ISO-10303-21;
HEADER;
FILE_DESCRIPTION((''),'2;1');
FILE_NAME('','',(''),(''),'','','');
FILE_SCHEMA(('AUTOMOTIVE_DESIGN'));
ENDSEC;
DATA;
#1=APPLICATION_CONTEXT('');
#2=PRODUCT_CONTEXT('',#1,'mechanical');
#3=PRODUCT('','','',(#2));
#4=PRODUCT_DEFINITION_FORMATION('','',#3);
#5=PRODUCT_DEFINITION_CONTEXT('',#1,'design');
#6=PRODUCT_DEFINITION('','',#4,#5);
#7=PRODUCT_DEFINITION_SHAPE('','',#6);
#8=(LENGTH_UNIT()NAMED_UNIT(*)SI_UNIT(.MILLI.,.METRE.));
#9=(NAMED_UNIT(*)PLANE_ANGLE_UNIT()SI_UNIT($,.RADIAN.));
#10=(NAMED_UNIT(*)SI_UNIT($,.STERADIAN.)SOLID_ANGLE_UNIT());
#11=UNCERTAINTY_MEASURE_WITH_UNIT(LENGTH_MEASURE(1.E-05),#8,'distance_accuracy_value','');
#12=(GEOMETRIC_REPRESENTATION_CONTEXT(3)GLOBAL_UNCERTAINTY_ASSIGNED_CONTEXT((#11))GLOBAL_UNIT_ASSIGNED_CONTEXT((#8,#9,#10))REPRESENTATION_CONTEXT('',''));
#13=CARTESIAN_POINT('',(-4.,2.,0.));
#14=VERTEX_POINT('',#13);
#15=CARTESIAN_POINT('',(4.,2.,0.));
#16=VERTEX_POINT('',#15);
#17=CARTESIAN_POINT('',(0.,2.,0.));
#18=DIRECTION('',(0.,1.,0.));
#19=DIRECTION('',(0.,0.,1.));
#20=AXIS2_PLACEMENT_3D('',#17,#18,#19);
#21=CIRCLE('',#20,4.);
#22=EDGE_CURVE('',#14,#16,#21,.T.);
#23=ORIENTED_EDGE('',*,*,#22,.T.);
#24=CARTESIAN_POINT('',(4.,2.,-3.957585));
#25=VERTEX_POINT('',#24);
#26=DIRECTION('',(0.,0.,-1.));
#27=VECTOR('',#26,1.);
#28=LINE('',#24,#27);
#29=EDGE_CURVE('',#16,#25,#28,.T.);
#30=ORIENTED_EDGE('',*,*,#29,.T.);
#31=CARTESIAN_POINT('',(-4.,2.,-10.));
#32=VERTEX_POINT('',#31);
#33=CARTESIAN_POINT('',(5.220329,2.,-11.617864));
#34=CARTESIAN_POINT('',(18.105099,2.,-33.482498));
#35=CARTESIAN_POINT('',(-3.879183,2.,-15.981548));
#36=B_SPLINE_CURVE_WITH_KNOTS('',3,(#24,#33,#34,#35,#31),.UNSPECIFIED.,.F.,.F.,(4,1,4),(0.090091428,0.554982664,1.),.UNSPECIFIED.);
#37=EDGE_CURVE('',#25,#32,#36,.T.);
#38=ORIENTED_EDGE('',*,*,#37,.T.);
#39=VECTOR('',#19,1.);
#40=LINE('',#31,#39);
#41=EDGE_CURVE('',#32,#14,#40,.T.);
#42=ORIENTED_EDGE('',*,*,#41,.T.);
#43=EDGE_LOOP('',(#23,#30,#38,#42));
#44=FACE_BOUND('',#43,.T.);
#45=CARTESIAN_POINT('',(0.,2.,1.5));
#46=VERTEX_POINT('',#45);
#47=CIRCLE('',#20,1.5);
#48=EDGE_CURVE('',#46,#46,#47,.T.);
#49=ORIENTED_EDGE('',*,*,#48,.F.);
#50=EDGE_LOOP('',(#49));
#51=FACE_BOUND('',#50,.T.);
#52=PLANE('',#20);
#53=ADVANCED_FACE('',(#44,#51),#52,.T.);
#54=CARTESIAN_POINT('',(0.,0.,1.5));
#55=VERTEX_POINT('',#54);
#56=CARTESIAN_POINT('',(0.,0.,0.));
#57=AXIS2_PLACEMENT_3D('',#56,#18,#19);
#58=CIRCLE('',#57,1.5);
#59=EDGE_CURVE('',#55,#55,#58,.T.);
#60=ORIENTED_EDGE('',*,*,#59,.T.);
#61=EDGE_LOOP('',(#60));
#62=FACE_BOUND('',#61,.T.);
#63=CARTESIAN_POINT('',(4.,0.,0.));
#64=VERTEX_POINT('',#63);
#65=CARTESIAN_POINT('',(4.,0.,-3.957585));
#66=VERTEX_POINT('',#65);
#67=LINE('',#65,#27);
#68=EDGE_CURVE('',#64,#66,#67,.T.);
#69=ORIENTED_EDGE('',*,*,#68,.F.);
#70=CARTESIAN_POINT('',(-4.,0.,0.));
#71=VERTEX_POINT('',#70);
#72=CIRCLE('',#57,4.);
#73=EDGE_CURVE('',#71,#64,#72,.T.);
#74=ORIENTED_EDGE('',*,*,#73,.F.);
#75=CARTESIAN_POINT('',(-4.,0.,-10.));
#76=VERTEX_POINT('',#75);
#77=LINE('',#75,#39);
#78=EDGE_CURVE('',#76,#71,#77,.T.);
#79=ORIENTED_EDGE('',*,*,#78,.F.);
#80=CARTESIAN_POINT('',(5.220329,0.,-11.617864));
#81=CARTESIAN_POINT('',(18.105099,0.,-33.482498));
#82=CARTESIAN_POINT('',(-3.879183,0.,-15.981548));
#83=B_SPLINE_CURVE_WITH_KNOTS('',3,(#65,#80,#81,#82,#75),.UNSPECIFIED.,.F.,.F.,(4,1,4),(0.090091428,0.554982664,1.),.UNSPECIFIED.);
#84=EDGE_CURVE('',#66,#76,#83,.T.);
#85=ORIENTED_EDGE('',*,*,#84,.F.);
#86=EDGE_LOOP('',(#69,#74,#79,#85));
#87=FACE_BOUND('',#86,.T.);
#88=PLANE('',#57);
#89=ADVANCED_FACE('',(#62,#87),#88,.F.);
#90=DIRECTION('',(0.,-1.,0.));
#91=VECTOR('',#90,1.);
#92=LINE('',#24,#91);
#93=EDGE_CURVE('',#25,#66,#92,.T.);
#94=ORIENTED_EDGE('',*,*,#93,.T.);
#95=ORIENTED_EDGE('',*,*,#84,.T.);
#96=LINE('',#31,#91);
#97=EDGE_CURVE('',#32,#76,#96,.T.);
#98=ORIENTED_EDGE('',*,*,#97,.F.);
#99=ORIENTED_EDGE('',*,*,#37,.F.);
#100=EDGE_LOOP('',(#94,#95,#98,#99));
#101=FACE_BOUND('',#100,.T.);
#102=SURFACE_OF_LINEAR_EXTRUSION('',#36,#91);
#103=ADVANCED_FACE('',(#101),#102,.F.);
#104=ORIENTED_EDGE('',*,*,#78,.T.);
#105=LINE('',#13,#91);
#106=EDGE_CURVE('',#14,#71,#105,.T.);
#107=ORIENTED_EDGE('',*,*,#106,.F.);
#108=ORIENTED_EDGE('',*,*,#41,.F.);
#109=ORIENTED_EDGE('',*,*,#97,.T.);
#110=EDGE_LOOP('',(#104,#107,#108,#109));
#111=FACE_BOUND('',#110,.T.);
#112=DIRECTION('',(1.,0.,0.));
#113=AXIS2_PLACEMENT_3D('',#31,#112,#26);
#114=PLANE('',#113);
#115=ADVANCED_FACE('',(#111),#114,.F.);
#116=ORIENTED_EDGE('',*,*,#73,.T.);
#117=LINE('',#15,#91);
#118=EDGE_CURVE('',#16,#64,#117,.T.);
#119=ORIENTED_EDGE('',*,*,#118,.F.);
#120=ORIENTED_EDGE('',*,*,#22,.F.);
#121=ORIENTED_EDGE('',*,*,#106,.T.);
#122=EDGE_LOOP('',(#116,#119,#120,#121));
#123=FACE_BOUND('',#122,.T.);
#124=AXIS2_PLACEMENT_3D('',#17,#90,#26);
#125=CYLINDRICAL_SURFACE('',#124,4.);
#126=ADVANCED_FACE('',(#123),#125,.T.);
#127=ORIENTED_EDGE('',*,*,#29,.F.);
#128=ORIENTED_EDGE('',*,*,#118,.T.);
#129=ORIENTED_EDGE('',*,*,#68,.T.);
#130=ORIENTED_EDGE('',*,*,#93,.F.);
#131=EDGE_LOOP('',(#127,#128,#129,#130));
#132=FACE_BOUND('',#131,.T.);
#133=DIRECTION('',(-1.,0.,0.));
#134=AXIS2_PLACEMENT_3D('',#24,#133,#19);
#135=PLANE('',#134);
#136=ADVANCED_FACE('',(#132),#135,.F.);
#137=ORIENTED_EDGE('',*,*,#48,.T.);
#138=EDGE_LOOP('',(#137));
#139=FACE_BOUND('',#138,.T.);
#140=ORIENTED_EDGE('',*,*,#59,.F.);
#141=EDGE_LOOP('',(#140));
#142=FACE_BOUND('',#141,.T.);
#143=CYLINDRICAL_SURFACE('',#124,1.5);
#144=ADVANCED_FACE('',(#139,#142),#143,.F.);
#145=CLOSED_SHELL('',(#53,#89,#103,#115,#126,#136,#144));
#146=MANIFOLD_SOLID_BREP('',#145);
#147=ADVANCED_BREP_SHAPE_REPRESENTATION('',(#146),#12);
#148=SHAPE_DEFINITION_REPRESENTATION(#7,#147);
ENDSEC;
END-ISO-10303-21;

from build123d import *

# Parameters (mm, degrees)
SKETCH_1_R      = 1.5
EXTRUDE_1_DEPTH = 2


with BuildPart() as part:
    # 草图1 → 凸台-拉伸1 (new body)
    with BuildSketch(Plane(origin=(0, 0, 0), x_dir=(1, 0, 0), z_dir=(0, 1, 0))):
        with BuildLine():
            Line((4, 3.957584735), (4, 0))
            ThreePointArc((4, 0), (0, -4), (-4, 0))
            Line((-4, 0), (-4, 10))
            add(Edge.make_bspline(
                [(4, 3.957584735), (5.220328821, 11.617864449), (18.105099326, 33.482498229), (-3.879182843, 15.981547528), (-4, 10)],
                knots=[0.090091428, 0.090091428, 0.090091428, 0.090091428, 0.554982664, 1, 1, 1, 1], degree=3))
        make_face()
        with Locations(Location((0, 0, 0), (0, 0, 270))):
            Circle(SKETCH_1_R, mode=Mode.SUBTRACT)
    extrude(amount=EXTRUDE_1_DEPTH)


solid = part.part
